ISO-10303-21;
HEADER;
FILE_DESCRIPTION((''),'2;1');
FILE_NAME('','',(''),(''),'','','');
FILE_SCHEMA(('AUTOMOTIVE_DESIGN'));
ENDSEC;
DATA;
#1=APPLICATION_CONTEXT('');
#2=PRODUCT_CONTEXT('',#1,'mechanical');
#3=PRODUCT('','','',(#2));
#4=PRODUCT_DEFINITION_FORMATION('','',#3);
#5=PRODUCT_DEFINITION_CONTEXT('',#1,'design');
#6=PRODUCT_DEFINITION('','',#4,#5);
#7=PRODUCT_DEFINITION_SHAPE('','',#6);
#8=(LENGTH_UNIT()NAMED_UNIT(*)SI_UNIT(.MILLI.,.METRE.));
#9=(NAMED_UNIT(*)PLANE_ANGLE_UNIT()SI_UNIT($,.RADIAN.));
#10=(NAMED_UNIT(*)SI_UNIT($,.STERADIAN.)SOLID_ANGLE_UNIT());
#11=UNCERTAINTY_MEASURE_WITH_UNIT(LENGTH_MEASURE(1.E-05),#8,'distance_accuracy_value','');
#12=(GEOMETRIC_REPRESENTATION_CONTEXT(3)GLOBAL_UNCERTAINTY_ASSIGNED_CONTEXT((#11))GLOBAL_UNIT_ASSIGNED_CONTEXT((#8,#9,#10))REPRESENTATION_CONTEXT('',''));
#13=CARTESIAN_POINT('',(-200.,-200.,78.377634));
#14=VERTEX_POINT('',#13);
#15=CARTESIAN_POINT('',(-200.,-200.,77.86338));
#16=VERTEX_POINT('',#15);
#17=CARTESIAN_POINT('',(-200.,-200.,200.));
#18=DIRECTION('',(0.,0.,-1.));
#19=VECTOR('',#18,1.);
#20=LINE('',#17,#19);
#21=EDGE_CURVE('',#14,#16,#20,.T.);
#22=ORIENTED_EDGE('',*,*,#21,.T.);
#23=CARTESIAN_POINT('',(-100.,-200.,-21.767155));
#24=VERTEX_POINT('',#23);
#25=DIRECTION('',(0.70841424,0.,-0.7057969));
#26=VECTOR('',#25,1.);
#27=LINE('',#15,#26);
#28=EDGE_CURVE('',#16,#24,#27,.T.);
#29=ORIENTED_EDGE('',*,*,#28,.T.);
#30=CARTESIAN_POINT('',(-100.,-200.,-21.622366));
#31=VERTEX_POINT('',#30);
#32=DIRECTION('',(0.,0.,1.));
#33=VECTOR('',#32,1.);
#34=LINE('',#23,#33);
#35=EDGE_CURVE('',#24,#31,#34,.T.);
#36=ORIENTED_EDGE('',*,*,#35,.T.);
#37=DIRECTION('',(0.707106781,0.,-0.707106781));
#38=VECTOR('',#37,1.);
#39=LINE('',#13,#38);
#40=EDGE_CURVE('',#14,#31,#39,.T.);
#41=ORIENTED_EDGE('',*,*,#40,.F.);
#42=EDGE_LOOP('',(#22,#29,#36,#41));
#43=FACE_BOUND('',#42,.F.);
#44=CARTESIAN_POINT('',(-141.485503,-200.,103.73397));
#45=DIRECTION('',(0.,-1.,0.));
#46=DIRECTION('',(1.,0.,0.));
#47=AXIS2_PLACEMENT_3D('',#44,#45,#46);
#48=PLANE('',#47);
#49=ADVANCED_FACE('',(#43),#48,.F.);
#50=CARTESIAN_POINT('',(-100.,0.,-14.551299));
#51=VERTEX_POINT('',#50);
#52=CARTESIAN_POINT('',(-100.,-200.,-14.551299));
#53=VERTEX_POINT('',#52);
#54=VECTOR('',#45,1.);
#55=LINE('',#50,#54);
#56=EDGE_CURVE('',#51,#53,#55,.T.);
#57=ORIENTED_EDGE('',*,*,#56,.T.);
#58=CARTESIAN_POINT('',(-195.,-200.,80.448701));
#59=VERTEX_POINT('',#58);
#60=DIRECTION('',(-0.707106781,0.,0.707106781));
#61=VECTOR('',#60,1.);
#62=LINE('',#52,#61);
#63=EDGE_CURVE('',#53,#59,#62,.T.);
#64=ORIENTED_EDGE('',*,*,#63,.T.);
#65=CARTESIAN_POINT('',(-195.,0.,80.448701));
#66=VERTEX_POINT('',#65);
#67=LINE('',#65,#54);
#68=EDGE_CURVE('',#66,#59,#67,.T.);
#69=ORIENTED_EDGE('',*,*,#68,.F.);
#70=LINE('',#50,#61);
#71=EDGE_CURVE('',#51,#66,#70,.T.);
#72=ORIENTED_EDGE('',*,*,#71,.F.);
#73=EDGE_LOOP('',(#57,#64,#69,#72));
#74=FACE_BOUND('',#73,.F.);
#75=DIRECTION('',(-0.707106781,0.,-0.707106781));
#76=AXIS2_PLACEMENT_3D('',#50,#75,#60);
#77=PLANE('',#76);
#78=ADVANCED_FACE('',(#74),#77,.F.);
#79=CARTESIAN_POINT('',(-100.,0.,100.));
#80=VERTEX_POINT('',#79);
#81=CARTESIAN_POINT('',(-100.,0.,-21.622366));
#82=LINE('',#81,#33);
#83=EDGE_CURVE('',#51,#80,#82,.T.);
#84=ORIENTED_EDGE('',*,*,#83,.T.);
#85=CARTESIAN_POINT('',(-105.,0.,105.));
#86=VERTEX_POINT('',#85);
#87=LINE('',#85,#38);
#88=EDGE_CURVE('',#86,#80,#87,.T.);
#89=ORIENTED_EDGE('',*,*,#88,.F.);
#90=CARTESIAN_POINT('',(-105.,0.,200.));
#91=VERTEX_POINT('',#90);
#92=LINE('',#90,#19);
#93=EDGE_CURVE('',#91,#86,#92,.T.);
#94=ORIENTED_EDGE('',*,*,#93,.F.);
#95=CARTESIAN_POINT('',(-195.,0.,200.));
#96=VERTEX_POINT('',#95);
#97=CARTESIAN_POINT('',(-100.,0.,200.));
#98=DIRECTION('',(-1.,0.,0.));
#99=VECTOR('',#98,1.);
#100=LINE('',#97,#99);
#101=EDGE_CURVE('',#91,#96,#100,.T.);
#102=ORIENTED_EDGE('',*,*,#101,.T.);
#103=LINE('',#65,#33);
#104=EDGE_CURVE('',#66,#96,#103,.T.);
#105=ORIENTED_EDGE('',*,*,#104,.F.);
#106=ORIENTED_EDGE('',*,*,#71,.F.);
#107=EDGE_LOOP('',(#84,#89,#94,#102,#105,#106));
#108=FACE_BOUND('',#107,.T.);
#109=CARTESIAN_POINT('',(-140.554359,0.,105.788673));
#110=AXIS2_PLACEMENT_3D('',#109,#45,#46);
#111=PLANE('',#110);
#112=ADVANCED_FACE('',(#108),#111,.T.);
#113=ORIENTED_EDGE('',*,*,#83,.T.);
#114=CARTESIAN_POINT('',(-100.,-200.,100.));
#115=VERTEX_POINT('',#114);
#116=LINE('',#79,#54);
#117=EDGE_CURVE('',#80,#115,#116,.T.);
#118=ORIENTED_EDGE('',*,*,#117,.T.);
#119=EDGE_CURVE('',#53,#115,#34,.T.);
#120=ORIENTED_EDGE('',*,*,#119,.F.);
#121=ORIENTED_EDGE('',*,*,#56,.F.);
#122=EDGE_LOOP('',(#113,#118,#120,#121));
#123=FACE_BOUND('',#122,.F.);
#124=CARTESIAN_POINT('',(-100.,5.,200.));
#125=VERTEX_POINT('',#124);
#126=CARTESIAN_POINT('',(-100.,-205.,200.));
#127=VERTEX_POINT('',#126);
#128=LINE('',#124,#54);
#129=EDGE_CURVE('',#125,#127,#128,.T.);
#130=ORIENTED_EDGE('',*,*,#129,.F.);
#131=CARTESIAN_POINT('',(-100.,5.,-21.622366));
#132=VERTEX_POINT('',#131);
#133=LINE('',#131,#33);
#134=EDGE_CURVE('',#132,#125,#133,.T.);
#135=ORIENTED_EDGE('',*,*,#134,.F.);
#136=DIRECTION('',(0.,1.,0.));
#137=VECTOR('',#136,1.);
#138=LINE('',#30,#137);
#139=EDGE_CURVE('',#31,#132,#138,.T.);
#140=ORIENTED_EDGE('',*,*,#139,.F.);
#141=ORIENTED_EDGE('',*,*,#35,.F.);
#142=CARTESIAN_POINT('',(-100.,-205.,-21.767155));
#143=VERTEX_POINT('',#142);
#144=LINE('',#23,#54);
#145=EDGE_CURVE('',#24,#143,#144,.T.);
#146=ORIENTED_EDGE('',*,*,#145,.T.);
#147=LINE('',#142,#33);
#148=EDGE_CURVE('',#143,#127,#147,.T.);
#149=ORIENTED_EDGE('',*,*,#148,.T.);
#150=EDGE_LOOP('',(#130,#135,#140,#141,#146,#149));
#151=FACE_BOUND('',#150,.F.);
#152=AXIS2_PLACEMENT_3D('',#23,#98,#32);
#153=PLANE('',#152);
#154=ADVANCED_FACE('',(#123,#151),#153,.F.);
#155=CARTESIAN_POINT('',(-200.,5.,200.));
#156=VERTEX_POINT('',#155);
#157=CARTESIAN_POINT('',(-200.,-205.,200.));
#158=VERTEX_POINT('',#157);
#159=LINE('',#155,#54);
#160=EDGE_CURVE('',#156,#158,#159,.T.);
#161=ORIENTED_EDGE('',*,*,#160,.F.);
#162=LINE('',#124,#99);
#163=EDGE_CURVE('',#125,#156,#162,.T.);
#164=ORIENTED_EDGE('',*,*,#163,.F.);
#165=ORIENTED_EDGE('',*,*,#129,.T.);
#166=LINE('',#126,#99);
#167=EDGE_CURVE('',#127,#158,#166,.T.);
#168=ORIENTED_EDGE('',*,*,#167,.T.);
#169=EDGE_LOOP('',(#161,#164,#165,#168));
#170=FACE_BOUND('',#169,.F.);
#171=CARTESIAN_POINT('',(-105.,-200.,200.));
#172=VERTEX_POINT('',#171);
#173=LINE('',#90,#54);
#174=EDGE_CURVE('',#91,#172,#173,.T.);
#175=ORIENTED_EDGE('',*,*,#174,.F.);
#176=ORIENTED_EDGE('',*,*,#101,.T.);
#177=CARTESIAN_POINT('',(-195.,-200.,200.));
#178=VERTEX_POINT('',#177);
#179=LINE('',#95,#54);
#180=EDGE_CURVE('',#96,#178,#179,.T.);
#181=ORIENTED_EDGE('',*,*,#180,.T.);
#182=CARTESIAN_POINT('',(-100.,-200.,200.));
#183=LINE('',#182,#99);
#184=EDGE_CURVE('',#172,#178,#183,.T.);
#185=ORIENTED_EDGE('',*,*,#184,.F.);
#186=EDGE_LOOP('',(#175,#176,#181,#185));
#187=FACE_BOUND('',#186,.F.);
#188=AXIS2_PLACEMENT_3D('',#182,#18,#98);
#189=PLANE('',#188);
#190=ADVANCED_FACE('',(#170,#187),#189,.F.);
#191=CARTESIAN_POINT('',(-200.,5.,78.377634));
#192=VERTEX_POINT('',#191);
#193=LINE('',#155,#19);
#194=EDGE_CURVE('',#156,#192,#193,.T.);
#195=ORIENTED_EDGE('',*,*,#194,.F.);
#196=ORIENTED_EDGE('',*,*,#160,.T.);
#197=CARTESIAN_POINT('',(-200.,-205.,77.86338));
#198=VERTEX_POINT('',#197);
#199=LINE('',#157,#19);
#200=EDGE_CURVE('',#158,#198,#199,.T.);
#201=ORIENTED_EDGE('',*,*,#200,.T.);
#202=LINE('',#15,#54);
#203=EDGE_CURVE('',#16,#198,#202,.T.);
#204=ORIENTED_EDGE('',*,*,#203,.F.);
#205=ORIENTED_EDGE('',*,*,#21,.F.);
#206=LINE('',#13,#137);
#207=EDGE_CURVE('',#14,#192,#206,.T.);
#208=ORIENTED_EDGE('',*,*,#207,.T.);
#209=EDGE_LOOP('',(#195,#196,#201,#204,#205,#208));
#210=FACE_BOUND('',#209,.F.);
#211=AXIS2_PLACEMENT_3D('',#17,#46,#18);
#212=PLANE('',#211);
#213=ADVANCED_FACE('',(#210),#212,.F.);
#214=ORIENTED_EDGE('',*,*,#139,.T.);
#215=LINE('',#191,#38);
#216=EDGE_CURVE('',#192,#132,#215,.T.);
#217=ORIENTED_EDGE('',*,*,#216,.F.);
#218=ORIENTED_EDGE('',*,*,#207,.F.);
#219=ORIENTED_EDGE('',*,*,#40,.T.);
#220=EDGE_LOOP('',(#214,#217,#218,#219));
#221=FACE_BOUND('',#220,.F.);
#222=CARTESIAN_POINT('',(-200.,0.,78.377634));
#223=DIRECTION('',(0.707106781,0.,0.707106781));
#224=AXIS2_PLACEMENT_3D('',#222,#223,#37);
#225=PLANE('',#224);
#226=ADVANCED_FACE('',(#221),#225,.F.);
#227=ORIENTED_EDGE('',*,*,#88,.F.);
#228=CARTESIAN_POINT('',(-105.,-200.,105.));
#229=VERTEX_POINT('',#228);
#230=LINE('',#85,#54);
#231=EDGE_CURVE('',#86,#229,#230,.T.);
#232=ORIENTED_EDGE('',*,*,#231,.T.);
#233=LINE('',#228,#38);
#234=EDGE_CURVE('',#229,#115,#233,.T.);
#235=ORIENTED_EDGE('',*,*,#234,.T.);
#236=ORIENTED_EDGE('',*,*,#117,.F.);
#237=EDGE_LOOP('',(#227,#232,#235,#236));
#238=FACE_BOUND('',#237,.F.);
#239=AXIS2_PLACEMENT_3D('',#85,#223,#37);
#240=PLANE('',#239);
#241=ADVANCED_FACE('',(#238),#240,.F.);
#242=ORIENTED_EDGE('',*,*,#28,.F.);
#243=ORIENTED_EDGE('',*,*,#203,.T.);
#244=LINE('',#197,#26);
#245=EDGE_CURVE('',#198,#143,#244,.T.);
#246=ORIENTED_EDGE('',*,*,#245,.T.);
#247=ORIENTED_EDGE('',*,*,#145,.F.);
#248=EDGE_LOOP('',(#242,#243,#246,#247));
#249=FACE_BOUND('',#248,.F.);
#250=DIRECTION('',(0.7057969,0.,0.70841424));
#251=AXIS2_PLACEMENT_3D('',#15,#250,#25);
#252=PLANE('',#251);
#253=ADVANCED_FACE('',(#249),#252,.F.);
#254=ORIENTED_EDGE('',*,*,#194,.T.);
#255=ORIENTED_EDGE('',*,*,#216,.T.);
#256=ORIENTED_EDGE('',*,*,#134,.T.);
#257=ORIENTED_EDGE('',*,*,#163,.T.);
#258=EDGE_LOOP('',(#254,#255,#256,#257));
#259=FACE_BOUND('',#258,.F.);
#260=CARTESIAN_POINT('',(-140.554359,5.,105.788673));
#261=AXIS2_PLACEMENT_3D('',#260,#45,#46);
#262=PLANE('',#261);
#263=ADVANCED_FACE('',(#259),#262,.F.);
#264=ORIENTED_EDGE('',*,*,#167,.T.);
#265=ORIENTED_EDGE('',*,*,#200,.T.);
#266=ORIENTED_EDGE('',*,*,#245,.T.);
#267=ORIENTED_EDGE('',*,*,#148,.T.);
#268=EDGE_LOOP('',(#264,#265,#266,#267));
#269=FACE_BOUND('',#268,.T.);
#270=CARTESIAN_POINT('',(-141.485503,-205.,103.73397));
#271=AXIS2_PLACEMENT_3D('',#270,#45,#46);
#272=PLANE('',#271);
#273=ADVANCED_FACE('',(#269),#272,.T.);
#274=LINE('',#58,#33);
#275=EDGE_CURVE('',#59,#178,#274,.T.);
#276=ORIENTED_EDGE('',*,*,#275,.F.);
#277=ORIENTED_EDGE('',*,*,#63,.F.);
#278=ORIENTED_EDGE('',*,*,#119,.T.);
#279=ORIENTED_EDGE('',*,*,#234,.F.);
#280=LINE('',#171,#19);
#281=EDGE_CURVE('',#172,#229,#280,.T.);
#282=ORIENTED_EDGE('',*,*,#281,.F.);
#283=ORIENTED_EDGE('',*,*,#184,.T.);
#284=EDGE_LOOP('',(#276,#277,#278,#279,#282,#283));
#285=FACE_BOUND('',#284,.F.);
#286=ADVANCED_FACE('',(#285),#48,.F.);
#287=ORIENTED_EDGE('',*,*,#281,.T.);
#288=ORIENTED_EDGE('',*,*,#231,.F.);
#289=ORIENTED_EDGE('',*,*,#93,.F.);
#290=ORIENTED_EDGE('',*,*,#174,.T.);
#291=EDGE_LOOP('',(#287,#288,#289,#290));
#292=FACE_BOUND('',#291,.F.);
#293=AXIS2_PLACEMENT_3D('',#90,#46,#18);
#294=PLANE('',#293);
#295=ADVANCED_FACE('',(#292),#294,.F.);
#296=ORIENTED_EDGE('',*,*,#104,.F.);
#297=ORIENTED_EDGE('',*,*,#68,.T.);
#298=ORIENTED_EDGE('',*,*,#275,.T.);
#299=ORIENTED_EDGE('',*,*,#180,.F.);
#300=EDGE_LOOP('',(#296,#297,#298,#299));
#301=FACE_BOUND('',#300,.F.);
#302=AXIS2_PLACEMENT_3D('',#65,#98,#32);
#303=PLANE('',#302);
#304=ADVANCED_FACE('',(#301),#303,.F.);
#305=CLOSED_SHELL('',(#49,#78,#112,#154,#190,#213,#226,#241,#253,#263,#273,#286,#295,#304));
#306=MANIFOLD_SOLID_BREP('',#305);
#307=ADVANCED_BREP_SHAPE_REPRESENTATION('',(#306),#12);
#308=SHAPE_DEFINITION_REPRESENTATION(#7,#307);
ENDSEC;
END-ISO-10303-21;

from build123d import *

# Parameters (mm, degrees)
F1_DEPTH = 5
F2_DEPTH = 200
F5_DEPTH = 5


with BuildPart() as f1:
    # F0 (on Front) → F1 (new body)
    with BuildSketch(Plane.XZ):
        Polygon((-100, -14.5512985522), (-100, 0), (-100, 100), (-105, 105), (-105, 200), (-195, 200), (-195, 80.4487014478), align=None)
        Polygon((-100, -21.6223663641), (-100, -14.5512985522), (-195, 80.4487014478), (-195, 200), (-200, 200), (-200, 78.3776336359), align=None)
        Polygon((-105, 105), (-100, 100), (-100, 200), (-105, 200), align=None)
    extrude(amount=-F1_DEPTH)

    # F0 (on Front) → F2 (join)
    with BuildSketch(Plane.XZ):
        Polygon((-100, -21.6223663641), (-100, -14.5512985522), (-195, 80.4487014478), (-195, 200), (-200, 200), (-200, 78.3776336359), align=None)
        Polygon((-105, 105), (-100, 100), (-100, 200), (-105, 200), align=None)
    extrude(amount=F2_DEPTH)

    # F4 (on offset) → F5 (join)
    with BuildSketch(Plane.XZ.offset(200)):
        Polygon((-100, -21.7671551462), (-100, 200), (-200, 200), (-200, 77.8633803129), align=None)
    extrude(amount=F5_DEPTH)


solid = f1.part
